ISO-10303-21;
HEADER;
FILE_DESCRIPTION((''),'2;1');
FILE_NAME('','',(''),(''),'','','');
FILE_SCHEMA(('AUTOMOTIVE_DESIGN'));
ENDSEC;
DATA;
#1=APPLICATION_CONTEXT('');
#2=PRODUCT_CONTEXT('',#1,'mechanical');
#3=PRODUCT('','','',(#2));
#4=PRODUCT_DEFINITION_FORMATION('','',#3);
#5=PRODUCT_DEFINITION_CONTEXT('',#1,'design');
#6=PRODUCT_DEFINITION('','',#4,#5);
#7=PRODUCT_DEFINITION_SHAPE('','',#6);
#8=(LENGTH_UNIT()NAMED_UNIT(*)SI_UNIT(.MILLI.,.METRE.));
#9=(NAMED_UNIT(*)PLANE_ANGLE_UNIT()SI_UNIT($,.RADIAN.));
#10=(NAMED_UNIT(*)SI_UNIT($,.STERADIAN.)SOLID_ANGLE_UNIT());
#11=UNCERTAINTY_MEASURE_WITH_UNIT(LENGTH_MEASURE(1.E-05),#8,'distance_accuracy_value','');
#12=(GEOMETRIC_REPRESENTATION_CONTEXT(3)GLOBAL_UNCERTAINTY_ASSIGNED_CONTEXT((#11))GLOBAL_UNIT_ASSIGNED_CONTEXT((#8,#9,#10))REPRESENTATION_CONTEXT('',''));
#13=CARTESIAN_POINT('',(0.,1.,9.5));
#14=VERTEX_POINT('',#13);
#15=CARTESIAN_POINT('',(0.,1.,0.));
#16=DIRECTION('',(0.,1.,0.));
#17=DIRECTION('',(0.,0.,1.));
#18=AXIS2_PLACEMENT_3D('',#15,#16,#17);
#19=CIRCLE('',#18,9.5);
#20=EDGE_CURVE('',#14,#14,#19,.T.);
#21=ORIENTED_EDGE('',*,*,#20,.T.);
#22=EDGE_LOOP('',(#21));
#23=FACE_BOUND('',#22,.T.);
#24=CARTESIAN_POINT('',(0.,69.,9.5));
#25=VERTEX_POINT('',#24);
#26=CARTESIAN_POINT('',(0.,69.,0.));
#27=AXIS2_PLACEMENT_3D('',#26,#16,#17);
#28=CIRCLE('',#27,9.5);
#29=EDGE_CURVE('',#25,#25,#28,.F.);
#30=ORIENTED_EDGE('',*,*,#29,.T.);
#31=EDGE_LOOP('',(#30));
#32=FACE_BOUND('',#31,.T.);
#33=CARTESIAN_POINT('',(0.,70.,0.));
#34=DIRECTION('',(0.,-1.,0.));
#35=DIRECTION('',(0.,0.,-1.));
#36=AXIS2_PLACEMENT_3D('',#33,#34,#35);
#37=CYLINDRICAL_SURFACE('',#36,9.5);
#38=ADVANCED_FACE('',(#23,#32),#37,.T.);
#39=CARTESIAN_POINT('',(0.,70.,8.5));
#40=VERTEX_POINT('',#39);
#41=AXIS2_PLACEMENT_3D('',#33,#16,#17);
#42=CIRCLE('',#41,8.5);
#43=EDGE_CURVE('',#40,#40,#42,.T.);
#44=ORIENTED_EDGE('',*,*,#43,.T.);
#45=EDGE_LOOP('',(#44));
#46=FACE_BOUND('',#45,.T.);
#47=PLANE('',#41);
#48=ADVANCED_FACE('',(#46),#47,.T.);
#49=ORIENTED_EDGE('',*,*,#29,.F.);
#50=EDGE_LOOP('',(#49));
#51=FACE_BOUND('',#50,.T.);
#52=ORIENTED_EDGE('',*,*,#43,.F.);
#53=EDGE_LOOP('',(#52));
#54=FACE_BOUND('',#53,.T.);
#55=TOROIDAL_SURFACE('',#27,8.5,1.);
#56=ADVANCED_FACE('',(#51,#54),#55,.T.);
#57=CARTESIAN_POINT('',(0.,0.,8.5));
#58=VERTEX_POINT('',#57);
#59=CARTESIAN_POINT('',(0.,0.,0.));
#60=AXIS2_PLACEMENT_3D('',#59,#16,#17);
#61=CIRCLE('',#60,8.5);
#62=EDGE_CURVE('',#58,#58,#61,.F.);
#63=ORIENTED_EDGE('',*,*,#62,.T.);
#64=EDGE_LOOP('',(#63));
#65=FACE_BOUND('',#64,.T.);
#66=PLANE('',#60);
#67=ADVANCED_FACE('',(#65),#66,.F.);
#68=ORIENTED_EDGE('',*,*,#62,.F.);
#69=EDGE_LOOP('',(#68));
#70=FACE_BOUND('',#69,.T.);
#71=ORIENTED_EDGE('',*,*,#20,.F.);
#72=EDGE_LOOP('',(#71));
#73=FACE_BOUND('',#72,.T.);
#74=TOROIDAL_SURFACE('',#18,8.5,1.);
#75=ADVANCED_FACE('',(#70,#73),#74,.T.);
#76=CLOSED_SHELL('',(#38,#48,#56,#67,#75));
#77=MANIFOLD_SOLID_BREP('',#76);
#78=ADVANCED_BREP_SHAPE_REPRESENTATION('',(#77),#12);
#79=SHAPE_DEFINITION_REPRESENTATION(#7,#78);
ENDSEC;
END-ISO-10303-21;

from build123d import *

# Parameters (mm, degrees)
SKETCH_1_R      = 9.5
EXTRUDE_1_DEPTH = 70
FILLET_1_R      = 1


with BuildPart() as part:
    # 草图1 → 凸台-拉伸1 (new body)
    with BuildSketch(Plane(origin=(0, 0, 0), x_dir=(1, 0, 0), z_dir=(0, 1, 0))):
        with Locations(Location((0, 0, 0), (0, 0, 270))):
            Circle(SKETCH_1_R)
    extrude(amount=EXTRUDE_1_DEPTH)

    # 圆角1
    fillet_1_edges = [part.edges().sort_by_distance(p)[0] for p in [
        (0, 0, -9.5),
        (0, 70, -9.5),
    ]]
    fillet(fillet_1_edges, radius=FILLET_1_R)


solid = part.part
